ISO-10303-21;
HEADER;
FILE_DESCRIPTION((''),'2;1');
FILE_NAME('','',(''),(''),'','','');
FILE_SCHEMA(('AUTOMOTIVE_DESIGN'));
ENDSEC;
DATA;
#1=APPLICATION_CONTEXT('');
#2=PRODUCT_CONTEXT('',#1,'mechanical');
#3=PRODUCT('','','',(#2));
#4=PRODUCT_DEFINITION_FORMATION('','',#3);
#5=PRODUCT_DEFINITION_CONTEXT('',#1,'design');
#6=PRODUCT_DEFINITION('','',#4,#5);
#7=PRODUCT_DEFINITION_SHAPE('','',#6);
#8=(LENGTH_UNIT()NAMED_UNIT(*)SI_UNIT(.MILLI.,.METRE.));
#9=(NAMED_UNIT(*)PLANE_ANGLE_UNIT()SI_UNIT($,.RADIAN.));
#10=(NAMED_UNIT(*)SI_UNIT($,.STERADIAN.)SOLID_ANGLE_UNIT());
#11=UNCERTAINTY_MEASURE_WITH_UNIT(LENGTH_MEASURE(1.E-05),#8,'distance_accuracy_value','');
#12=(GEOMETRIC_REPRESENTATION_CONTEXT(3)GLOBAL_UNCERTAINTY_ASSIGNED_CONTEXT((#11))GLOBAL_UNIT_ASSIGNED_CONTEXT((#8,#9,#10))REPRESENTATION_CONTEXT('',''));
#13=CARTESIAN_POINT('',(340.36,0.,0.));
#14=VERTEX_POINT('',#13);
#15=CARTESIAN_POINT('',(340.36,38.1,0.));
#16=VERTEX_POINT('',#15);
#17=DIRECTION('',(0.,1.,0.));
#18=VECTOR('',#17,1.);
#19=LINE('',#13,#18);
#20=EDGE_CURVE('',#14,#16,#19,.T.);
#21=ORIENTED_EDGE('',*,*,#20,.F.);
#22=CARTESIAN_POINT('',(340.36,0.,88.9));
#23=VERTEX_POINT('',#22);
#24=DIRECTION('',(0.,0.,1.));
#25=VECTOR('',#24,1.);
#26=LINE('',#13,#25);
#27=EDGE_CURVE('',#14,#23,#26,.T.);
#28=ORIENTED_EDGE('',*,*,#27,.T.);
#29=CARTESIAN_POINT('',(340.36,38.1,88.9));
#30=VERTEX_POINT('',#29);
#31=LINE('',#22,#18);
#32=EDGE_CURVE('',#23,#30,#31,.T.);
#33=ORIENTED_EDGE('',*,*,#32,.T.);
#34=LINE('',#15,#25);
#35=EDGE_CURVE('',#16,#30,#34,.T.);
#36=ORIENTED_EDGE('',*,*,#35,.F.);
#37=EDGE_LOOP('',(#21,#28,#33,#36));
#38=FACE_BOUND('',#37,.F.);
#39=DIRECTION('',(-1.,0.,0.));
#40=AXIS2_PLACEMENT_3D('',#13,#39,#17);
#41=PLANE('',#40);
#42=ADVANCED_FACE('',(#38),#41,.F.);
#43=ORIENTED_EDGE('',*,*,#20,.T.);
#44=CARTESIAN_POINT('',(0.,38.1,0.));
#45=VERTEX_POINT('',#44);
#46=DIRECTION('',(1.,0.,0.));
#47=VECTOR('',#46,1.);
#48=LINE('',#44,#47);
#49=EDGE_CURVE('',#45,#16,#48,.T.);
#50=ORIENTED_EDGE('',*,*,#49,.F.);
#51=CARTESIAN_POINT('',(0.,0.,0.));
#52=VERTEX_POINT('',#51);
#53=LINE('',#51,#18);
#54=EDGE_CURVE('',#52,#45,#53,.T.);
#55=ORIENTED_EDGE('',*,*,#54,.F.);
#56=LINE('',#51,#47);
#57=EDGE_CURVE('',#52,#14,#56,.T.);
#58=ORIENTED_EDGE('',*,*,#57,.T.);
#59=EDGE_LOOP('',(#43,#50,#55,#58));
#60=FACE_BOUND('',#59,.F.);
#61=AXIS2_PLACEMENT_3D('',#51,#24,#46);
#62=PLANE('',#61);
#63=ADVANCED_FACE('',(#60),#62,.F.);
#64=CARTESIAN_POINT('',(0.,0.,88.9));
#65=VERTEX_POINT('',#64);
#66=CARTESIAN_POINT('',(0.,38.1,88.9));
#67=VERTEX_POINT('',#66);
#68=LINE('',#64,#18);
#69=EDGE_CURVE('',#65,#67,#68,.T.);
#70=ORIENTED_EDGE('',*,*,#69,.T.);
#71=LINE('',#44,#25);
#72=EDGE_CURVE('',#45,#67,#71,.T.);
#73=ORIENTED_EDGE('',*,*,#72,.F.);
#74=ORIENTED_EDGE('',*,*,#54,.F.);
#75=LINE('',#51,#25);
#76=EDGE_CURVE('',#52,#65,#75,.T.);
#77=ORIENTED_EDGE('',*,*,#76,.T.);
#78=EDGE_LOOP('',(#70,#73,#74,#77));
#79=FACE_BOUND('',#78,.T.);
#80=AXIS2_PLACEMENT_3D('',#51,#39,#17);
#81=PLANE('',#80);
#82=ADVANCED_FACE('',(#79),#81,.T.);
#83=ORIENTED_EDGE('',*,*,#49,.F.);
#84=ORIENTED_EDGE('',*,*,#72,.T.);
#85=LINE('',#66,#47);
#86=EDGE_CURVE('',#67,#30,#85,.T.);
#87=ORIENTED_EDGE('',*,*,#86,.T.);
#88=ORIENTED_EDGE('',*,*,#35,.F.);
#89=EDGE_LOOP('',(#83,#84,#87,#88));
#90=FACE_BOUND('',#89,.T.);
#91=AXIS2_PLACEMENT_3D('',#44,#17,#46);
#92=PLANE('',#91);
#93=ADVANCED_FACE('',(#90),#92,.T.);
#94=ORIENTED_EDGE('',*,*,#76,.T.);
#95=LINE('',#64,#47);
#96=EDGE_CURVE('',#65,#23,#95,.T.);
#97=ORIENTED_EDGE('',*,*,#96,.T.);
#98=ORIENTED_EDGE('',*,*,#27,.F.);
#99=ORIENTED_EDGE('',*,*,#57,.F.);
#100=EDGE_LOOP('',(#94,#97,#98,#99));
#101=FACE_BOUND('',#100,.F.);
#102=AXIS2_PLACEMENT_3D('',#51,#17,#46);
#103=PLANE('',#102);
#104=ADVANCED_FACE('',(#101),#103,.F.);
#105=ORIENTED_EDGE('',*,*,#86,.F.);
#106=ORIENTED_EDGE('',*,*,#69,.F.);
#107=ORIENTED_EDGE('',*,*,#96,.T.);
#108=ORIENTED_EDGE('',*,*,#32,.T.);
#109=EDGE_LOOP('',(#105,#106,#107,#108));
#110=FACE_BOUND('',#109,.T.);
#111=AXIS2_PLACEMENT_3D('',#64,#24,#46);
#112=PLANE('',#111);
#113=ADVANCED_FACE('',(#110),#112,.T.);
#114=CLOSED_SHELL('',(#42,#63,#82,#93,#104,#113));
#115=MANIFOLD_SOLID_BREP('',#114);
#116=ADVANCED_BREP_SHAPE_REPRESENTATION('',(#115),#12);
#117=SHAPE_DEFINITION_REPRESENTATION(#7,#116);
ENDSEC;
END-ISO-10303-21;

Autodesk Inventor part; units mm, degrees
ref_plane "YZ Plane" through (0, 0, 0) normal (1, 0, 0) x (0, 1, 0)
ref_plane "XZ Plane" through (0, 0, 0) normal (0, 1, 0) x (-1, 0, 0)
ref_plane "XY Plane" through (0, 0, 0) normal (0, 0, 1) x (1, 0, 0)
sketch "Sketch1" plane through (0, 0, 0) normal (0, 0, 1) x (1, 0, 0)
  line L0 (0, 0) -> (340.36, 0)
  line L1 (0, 0) -> (0, 38.1)
  line L2 (0, 38.1) -> (340.36, 38.1)
  line L3 (340.36, 0) -> (340.36, 38.1)
  dimension "d0" = 340.36
  dimension "d1" = 38.1
  dimension "d2" = 90
extrude "Extrusion1" add sketch "Sketch1" along normal blind 88.9
properties part number "2p3ph" material "Wood (Cherry)"
